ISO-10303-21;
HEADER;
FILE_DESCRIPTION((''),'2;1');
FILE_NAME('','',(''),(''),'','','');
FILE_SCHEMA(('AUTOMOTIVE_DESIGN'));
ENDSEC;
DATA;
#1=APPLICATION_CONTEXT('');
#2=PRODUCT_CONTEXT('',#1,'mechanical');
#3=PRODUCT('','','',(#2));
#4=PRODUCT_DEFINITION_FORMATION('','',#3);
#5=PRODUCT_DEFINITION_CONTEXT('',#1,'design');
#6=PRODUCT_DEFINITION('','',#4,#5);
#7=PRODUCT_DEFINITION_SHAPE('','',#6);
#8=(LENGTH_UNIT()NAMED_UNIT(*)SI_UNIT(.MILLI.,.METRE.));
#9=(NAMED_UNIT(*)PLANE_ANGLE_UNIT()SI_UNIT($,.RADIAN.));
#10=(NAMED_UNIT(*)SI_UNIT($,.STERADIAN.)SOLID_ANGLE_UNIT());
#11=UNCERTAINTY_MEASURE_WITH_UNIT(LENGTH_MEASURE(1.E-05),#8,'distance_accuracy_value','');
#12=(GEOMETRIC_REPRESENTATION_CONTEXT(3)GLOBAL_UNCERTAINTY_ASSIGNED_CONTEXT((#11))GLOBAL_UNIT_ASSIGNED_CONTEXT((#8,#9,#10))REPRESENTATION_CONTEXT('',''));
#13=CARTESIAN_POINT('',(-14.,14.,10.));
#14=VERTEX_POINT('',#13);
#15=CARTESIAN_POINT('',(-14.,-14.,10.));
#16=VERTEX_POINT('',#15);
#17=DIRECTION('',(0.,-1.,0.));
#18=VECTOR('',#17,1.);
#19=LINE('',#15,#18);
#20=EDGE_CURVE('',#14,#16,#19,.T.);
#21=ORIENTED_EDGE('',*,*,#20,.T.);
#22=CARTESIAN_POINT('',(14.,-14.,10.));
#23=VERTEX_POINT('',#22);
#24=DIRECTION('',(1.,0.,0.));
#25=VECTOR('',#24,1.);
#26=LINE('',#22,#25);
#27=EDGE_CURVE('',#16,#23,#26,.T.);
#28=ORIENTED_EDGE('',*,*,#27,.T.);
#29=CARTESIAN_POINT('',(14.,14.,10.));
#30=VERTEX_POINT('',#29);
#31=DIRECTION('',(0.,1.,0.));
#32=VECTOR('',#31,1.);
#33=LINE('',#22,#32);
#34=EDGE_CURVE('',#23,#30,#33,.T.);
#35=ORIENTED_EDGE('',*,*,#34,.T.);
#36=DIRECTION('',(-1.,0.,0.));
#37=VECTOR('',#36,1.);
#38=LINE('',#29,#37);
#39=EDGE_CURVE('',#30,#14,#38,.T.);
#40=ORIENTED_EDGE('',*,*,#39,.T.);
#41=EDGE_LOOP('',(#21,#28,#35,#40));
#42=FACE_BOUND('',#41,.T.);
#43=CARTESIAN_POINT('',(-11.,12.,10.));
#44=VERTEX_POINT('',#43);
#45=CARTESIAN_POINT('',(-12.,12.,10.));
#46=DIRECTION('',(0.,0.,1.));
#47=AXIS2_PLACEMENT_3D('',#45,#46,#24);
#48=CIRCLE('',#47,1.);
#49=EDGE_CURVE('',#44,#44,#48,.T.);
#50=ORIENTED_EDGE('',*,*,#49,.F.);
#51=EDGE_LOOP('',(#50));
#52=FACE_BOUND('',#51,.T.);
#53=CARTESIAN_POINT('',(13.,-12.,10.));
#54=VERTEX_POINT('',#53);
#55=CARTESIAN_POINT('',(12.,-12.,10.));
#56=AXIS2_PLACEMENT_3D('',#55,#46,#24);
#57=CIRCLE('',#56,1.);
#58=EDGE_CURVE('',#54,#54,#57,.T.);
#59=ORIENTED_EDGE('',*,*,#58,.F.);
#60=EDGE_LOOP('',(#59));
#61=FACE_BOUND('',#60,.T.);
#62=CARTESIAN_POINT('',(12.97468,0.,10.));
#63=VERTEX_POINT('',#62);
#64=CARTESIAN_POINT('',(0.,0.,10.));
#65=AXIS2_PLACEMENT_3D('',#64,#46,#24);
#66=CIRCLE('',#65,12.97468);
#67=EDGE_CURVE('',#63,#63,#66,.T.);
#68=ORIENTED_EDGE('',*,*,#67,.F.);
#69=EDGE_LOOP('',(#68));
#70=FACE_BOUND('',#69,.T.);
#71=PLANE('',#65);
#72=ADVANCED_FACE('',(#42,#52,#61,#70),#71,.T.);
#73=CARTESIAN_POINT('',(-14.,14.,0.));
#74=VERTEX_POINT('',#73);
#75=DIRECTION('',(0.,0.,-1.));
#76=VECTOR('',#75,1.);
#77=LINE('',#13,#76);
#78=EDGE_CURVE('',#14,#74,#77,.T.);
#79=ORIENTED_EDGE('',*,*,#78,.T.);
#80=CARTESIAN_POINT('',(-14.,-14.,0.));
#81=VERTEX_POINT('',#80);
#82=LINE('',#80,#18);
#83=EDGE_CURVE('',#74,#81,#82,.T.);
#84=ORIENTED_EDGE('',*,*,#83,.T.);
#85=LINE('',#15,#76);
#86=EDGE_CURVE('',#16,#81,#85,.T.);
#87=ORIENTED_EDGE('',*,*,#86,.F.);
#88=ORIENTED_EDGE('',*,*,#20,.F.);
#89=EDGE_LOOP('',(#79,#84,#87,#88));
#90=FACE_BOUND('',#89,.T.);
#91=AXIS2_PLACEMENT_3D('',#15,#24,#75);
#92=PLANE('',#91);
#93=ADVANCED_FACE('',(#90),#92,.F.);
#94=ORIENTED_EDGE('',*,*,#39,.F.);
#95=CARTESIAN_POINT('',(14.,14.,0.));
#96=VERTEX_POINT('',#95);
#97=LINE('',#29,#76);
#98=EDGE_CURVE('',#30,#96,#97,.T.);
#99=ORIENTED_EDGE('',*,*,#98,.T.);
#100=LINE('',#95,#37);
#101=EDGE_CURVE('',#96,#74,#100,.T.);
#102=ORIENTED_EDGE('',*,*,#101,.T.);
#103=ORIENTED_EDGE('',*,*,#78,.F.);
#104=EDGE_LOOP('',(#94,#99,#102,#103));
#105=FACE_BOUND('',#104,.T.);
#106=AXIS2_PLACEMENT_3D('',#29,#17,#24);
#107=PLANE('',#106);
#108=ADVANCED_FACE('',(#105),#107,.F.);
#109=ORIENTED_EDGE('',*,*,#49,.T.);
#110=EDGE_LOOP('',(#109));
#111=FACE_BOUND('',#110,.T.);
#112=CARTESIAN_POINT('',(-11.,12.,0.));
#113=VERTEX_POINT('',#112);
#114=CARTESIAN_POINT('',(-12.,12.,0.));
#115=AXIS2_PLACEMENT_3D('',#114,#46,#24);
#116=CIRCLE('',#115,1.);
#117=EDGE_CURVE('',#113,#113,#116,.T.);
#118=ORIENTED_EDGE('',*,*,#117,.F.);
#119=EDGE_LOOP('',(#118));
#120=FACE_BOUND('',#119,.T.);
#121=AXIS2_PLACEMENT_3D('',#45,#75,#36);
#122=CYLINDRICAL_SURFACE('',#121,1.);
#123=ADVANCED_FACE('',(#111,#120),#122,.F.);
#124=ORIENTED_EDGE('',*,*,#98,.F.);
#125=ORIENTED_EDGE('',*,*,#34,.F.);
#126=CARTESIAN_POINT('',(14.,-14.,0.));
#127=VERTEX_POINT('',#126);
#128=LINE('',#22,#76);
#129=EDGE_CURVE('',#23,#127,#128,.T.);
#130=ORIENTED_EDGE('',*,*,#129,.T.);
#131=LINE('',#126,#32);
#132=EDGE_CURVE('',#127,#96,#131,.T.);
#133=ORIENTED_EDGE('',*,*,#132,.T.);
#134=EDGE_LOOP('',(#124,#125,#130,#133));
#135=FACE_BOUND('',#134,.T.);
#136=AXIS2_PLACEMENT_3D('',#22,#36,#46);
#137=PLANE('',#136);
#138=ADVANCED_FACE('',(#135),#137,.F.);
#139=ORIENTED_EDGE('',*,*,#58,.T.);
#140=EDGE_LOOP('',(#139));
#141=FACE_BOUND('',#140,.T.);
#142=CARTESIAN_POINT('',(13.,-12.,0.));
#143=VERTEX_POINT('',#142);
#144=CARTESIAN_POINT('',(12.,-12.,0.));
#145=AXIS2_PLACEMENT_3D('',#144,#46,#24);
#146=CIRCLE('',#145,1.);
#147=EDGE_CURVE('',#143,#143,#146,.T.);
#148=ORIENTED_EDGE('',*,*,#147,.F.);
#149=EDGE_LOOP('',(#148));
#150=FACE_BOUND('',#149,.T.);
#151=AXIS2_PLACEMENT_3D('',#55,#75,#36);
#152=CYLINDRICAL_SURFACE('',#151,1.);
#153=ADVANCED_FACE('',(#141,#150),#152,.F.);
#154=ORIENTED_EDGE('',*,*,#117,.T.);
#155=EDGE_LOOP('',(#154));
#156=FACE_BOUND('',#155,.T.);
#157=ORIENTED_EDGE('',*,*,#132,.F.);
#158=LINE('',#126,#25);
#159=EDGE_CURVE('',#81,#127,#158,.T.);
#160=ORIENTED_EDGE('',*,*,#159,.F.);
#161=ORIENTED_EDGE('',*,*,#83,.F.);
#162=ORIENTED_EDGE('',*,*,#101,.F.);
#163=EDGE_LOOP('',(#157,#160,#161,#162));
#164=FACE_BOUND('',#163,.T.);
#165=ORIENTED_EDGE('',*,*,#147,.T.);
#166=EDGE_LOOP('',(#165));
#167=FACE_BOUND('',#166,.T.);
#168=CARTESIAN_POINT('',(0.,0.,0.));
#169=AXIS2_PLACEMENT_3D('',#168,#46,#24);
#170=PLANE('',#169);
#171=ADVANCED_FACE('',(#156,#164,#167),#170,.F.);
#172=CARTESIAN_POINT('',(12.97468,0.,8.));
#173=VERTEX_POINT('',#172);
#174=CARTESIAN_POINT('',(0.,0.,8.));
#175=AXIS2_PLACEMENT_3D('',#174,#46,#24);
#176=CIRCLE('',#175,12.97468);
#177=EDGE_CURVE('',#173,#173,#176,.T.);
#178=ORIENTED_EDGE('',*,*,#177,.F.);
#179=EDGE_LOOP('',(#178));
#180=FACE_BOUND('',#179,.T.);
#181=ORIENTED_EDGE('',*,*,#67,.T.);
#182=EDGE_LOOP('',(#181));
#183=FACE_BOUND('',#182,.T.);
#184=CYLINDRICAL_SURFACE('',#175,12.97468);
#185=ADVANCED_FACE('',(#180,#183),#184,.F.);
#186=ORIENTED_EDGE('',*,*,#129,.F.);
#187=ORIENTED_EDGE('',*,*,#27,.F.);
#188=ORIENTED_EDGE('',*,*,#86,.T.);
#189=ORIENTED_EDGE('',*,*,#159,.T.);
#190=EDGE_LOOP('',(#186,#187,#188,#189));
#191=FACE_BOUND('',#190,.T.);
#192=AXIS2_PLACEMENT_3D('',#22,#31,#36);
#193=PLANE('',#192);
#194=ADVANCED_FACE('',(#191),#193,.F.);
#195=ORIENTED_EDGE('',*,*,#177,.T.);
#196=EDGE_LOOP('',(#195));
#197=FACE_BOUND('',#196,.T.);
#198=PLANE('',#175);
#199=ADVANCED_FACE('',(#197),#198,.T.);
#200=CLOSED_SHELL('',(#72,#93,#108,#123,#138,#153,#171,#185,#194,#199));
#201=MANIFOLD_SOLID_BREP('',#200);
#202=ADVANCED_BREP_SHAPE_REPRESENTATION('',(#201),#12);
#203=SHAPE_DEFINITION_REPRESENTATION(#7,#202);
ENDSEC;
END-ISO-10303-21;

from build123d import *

# Parameters (mm, degrees)
SKETCH_1_W          = 28
SKETCH_1_H          = 28
SKETCH_1_R          = 1
EXTRUDE_1_DEPTH     = 10
SKETCH_2_R          = 12.974679672
CUT_EXTRUDE_1_DEPTH = 2


with BuildPart() as part:
    # 草图1 → 凸台-拉伸1 (new body)
    with BuildSketch(Plane.XY):
        Rectangle(SKETCH_1_W, SKETCH_1_H)
        with Locations((12, -12)):
            Circle(SKETCH_1_R, mode=Mode.SUBTRACT)
        with Locations((-12, 12)):
            Circle(SKETCH_1_R, mode=Mode.SUBTRACT)
    extrude(amount=EXTRUDE_1_DEPTH)

    # 草图2 → 切除-拉伸1 (cut)
    with BuildSketch(Plane.XY.offset(10)):
        Circle(SKETCH_2_R)
    extrude(amount=-CUT_EXTRUDE_1_DEPTH, mode=Mode.SUBTRACT)


solid = part.part
